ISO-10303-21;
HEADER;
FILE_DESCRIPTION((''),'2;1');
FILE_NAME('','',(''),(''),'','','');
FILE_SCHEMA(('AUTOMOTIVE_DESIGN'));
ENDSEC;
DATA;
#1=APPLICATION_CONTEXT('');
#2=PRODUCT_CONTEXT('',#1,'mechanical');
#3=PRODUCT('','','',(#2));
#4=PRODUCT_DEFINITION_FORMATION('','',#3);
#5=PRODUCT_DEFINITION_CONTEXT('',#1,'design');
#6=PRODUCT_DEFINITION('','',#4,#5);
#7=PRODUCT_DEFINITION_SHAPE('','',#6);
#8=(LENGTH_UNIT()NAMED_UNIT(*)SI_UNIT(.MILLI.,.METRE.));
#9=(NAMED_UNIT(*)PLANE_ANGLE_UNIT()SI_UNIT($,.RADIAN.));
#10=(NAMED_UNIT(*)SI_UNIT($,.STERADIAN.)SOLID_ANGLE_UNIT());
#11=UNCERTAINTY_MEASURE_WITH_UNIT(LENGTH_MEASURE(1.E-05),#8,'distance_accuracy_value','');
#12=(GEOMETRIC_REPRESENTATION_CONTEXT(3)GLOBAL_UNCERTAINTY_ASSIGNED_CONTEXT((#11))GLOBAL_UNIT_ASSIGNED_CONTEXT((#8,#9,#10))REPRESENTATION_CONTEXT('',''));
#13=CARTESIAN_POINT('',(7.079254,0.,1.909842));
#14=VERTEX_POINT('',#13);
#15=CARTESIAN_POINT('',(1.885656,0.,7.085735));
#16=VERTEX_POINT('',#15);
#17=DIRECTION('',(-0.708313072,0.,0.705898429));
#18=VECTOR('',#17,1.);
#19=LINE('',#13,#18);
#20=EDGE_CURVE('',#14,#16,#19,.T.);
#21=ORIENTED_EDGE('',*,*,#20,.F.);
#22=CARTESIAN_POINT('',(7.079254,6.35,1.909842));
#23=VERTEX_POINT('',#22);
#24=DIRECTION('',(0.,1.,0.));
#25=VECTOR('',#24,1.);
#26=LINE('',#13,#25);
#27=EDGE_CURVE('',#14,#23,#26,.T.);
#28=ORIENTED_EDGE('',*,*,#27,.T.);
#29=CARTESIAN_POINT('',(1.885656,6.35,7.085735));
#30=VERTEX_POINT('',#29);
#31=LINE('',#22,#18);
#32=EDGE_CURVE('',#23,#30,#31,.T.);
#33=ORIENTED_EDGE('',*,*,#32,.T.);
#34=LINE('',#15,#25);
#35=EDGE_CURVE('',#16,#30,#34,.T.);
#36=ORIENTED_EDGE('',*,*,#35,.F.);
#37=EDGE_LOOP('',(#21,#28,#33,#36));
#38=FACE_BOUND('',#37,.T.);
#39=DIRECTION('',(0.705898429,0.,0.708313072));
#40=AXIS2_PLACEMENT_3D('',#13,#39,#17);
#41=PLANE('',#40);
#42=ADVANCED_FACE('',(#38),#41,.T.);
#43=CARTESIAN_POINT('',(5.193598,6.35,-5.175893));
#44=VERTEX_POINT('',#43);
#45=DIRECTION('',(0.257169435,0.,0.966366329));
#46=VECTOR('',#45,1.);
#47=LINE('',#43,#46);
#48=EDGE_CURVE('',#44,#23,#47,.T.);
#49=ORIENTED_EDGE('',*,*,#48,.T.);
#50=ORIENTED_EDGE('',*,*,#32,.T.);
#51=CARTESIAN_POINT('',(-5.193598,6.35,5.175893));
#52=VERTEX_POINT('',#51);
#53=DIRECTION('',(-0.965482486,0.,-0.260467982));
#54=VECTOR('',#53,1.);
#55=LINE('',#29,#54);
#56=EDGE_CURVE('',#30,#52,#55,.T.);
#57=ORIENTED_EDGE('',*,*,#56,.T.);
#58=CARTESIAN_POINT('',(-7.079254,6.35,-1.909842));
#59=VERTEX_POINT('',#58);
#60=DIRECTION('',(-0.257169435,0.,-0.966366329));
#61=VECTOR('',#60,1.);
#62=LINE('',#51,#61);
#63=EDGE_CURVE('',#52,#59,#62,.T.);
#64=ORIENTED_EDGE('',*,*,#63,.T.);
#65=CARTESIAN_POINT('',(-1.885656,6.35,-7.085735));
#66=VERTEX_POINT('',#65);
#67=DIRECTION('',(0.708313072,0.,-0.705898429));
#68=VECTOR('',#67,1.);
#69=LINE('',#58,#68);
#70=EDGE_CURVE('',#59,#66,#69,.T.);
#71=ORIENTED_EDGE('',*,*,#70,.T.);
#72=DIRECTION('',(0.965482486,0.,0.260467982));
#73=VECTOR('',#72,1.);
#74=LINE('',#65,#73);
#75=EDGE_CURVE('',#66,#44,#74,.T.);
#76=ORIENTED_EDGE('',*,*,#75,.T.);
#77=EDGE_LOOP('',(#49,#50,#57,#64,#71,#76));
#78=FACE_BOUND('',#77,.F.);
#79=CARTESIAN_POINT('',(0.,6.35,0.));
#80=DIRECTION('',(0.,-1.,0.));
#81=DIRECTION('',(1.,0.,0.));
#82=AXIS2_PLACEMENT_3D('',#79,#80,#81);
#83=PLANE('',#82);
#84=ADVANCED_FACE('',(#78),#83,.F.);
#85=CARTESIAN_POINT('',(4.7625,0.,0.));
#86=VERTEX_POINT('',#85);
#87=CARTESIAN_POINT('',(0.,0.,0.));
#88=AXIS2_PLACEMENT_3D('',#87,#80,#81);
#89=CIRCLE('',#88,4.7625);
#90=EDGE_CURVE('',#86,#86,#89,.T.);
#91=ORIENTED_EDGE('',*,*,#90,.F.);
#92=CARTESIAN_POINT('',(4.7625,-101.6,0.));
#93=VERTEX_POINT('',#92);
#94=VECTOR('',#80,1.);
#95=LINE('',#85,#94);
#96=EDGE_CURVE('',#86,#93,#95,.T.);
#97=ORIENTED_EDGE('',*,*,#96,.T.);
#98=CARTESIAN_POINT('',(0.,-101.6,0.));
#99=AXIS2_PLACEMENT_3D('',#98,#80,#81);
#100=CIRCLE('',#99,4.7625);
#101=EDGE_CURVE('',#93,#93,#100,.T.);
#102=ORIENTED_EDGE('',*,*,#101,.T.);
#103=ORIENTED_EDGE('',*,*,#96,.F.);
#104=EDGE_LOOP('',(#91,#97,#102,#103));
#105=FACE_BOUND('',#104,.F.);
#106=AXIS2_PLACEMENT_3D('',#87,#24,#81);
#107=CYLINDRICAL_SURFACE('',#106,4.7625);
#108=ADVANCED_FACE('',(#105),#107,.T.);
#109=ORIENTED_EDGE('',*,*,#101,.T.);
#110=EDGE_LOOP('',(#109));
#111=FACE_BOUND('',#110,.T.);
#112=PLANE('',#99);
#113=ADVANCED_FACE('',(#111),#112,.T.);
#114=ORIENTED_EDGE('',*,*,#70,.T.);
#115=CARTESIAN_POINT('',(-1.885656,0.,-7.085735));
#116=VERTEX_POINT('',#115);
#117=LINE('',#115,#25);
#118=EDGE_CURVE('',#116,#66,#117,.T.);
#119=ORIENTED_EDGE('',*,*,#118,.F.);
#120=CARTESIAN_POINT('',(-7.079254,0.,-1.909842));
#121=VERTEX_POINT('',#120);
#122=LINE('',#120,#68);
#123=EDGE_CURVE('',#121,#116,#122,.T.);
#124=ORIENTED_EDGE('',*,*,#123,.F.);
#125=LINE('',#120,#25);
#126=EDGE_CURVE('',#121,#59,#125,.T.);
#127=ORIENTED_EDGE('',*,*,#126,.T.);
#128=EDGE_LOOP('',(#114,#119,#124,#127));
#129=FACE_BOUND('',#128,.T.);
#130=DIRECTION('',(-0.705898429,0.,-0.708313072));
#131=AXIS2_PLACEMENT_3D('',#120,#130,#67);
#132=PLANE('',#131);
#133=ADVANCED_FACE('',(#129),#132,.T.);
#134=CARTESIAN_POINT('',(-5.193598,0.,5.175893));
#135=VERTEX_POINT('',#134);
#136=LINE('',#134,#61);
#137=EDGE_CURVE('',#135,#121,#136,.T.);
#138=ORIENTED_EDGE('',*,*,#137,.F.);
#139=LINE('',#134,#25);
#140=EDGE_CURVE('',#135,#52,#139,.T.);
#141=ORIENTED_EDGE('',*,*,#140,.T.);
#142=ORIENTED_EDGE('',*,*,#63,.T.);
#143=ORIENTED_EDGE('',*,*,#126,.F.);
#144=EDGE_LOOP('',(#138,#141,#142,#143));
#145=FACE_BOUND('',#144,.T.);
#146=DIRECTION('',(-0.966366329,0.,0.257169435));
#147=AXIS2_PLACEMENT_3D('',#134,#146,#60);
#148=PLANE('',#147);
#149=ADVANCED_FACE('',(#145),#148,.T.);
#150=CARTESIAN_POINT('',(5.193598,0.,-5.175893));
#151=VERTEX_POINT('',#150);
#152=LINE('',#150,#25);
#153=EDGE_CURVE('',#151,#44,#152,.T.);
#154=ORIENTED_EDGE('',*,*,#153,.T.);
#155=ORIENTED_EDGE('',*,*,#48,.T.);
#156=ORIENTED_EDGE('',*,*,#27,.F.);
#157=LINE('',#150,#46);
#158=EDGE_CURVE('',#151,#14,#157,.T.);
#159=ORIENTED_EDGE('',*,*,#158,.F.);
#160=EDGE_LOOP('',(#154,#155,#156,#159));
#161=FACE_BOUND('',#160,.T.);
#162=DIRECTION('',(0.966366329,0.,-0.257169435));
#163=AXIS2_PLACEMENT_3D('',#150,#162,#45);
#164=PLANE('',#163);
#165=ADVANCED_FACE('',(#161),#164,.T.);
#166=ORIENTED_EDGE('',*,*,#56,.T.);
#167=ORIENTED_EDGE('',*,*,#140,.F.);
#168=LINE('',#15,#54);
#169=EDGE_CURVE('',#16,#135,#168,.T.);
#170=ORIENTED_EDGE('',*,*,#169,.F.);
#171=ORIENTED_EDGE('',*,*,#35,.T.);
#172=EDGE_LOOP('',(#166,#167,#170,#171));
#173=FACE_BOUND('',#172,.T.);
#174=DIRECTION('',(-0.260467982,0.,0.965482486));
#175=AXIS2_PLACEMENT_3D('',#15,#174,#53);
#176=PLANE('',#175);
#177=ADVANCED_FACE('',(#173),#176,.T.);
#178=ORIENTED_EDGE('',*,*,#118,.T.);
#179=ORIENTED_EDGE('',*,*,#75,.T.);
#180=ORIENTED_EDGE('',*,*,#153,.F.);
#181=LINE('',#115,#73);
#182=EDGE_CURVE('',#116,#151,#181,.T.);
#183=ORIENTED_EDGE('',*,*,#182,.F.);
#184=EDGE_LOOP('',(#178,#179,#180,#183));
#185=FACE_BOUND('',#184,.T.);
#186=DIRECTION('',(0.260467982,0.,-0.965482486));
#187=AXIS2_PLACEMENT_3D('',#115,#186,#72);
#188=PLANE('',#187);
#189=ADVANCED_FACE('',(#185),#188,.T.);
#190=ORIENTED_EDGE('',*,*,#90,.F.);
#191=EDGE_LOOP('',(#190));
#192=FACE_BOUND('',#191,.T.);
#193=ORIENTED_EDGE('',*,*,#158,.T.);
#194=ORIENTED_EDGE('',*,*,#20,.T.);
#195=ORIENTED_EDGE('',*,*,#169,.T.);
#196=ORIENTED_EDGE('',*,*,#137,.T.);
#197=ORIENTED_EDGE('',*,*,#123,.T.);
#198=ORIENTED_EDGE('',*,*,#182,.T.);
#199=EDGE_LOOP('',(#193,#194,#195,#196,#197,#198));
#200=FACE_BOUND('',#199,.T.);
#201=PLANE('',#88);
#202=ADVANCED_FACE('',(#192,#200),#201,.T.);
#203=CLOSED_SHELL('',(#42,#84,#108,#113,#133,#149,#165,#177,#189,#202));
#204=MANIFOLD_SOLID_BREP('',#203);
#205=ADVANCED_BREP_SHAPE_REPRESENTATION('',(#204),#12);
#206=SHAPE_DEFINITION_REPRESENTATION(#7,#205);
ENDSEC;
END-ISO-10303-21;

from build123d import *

# Parameters (mm, degrees)
F0_R     = 4.7625
F1_DEPTH = 101.6
F3_DEPTH = 6.35


with BuildPart() as f1:
    # F0 (on Front) → F1 (new body)
    with BuildSketch(Plane.XZ):
        Circle(F0_R)
    extrude(amount=F1_DEPTH)

    # F2 (on Front) → F3 (join)
    with BuildSketch(Plane.XZ):
        Polygon((5.193598, -5.175893), (7.079254, 1.909842), (1.885656, 7.085735), (-5.193598, 5.175893), (-7.079254, -1.909842), (-1.885656, -7.085735), align=None)
    extrude(amount=-F3_DEPTH)


solid = f1.part
